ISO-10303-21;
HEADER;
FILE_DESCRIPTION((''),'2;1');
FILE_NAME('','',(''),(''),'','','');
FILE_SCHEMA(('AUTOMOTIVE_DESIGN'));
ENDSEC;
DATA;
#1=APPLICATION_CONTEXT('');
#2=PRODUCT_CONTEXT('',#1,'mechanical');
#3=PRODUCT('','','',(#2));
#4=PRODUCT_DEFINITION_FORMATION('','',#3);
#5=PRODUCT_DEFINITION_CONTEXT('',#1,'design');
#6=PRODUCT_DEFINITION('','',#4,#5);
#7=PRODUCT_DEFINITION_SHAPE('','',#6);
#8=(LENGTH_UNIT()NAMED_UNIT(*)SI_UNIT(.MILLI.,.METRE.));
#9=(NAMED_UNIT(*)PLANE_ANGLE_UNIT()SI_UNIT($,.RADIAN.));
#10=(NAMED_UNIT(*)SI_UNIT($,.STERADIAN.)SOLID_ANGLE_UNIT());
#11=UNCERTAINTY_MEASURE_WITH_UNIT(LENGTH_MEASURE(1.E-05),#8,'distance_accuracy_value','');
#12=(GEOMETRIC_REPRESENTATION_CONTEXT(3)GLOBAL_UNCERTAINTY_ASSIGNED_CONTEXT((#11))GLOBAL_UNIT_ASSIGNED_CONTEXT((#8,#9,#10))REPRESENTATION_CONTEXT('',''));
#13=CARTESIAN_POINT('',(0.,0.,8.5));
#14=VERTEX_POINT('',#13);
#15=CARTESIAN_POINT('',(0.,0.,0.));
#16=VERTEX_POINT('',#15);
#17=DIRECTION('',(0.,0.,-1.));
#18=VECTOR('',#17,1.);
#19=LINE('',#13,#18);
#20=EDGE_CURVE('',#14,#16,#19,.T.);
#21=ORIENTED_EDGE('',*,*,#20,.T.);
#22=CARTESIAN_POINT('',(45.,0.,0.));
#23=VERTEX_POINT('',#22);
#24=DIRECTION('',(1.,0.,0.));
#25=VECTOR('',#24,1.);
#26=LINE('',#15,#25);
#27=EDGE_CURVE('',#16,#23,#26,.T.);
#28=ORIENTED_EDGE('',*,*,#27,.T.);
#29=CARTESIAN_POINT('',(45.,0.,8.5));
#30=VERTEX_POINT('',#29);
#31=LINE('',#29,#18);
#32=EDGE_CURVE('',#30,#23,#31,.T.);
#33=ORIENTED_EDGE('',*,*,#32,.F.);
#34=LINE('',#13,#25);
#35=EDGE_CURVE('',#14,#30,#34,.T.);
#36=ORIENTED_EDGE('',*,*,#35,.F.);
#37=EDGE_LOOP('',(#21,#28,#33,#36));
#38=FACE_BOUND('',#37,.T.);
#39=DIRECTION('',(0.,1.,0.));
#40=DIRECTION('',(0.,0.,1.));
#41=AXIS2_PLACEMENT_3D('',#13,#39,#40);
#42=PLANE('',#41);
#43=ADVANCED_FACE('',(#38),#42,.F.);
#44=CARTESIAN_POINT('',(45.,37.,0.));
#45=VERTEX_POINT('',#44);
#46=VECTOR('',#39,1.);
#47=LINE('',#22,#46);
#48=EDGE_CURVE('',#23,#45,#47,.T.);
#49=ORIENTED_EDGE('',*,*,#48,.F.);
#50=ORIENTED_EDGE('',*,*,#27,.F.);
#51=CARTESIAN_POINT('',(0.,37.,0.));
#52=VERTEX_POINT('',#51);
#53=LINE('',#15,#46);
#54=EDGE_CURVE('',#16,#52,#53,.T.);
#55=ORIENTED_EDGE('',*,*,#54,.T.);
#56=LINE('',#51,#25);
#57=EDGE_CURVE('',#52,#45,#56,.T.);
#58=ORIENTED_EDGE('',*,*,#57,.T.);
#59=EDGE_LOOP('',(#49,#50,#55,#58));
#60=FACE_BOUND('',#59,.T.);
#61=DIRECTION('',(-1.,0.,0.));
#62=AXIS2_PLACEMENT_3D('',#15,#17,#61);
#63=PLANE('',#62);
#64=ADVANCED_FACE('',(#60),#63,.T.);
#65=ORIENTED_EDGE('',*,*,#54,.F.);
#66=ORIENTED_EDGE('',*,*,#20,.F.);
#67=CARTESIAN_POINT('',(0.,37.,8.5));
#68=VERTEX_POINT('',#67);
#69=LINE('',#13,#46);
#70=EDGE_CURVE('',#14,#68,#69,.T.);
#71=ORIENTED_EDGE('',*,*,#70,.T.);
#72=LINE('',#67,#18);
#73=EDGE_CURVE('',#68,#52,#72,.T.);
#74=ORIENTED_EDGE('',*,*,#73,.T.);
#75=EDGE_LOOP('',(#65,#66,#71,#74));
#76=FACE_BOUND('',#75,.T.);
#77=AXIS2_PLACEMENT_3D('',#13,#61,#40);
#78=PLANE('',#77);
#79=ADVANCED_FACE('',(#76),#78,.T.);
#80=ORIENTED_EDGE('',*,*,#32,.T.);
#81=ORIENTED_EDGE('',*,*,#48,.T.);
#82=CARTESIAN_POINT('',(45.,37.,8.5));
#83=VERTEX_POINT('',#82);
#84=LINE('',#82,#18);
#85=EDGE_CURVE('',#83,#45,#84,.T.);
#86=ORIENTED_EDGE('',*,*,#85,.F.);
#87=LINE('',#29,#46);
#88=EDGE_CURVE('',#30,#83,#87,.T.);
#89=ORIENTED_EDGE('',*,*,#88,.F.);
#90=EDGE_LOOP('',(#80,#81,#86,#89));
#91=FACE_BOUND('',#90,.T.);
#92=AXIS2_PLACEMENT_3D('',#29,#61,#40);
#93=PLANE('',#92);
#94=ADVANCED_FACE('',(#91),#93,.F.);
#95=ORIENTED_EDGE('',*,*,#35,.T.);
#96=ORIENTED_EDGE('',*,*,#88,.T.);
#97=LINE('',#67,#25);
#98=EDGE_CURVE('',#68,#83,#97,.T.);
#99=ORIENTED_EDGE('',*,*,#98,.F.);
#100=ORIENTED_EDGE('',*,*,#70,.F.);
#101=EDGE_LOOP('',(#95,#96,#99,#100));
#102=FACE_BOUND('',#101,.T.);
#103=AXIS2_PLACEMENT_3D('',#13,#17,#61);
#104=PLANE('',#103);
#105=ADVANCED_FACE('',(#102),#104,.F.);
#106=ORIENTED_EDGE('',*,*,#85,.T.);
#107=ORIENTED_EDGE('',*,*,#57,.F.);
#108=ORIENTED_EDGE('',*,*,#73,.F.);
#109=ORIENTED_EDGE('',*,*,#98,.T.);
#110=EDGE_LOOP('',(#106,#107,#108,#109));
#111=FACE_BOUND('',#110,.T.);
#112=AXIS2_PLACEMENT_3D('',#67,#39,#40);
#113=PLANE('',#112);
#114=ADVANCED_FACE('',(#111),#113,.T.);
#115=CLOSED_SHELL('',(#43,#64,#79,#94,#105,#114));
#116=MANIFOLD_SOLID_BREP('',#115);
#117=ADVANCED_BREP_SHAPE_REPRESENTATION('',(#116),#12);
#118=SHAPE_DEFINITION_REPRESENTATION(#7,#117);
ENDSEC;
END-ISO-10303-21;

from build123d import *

# Parameters (mm, degrees)
SKETCH_1_W      = 45
SKETCH_1_H      = 37
EXTRUDE_1_DEPTH = 8.5


with BuildPart() as part:
    # 草图1 → 凸台-拉伸1 (new body)
    with BuildSketch(Plane.XY):
        with Locations((22.5, 18.5)):
            Rectangle(SKETCH_1_W, SKETCH_1_H)
    extrude(amount=EXTRUDE_1_DEPTH)


solid = part.part
